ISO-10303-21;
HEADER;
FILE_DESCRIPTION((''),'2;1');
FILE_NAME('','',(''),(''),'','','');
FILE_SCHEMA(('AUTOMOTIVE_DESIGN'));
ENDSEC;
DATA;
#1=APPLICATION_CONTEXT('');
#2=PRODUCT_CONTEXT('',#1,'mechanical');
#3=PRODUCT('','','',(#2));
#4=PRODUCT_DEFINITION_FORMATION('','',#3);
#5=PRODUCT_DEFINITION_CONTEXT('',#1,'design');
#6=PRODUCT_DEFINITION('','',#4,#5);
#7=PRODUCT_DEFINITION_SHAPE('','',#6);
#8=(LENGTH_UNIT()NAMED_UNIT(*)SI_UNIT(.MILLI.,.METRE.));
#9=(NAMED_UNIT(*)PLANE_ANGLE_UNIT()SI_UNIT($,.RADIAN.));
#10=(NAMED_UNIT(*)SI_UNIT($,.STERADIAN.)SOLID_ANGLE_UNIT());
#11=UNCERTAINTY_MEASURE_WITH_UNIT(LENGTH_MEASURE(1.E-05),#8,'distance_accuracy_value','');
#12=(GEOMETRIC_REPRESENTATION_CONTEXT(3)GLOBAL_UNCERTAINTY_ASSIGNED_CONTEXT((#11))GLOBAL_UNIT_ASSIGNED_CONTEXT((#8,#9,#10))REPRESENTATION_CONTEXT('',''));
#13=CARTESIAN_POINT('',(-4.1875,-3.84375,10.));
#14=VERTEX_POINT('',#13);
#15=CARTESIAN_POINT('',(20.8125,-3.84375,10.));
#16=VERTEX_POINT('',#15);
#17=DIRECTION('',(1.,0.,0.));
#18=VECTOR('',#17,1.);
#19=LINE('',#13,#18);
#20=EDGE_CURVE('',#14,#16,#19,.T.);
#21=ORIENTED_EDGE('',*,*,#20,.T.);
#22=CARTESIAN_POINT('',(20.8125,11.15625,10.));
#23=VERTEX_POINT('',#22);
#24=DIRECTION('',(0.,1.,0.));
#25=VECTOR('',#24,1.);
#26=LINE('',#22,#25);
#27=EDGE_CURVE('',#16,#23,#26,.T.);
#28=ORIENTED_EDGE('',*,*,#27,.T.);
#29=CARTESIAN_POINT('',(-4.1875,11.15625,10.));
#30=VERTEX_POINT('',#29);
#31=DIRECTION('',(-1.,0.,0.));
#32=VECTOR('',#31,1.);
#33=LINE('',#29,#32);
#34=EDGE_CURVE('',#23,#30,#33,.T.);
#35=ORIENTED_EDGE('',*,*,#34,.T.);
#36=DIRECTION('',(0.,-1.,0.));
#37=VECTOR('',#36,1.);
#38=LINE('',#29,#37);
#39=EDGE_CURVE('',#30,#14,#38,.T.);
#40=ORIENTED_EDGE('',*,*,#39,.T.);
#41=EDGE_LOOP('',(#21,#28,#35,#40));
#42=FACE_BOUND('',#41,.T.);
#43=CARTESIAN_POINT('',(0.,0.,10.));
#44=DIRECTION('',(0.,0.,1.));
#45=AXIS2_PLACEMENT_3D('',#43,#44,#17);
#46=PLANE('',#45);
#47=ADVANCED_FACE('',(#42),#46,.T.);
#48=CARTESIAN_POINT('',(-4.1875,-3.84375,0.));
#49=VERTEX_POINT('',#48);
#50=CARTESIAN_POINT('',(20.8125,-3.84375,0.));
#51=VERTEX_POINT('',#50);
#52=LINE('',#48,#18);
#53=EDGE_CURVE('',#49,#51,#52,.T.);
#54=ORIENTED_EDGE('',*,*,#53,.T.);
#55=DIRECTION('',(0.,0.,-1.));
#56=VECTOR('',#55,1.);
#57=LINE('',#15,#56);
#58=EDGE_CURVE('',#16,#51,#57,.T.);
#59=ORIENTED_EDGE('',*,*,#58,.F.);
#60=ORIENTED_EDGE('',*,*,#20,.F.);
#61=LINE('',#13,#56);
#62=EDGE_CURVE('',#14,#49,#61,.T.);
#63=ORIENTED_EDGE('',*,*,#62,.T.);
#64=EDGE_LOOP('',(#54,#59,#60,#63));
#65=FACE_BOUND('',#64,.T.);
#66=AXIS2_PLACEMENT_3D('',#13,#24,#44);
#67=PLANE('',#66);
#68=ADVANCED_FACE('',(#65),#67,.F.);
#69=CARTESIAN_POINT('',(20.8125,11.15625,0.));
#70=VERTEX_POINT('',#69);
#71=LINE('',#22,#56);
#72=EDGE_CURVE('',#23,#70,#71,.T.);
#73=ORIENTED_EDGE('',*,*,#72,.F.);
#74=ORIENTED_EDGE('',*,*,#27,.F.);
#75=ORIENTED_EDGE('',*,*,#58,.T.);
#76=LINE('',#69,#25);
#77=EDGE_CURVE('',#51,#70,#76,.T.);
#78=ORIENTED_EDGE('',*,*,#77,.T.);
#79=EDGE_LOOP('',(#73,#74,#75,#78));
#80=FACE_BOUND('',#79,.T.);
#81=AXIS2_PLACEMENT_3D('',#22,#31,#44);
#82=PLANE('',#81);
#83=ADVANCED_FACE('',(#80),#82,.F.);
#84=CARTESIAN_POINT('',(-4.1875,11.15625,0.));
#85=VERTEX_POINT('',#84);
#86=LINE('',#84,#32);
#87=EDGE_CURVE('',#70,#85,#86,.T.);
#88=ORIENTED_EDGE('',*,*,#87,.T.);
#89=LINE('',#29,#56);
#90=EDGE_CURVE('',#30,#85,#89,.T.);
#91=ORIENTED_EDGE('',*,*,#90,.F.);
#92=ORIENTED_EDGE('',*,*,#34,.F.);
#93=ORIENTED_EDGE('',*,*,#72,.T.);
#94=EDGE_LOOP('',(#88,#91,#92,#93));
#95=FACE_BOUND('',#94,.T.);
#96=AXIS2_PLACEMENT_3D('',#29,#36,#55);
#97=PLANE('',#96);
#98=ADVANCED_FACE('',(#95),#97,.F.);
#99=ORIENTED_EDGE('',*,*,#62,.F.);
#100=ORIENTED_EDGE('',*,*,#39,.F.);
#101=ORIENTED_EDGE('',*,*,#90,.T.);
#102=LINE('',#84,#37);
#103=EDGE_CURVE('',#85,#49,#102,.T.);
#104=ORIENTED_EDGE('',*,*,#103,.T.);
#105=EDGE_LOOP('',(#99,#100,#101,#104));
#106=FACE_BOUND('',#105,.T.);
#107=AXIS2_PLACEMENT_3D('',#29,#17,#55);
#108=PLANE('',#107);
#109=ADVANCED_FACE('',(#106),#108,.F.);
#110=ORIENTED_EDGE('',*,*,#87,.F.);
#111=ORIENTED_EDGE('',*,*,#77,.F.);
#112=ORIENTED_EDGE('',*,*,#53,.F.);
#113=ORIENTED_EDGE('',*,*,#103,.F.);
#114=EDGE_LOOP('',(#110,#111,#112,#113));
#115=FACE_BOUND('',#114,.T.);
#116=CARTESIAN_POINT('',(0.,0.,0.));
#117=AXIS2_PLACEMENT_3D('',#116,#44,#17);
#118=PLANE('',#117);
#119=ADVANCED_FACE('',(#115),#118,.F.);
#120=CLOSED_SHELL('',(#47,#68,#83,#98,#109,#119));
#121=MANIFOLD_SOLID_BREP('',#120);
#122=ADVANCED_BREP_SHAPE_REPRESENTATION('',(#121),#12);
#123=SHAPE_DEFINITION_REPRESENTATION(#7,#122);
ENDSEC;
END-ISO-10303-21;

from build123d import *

# Parameters (mm, degrees)
SKETCH_1_W      = 25
SKETCH_1_H      = 15
EXTRUDE_1_DEPTH = 10


with BuildPart() as part:
    # 草图1 → 凸台-拉伸1 (new body)
    with BuildSketch(Plane.XY):
        with Locations((8.3125, 3.65625)):
            Rectangle(SKETCH_1_W, SKETCH_1_H)
    extrude(amount=EXTRUDE_1_DEPTH)


solid = part.part
